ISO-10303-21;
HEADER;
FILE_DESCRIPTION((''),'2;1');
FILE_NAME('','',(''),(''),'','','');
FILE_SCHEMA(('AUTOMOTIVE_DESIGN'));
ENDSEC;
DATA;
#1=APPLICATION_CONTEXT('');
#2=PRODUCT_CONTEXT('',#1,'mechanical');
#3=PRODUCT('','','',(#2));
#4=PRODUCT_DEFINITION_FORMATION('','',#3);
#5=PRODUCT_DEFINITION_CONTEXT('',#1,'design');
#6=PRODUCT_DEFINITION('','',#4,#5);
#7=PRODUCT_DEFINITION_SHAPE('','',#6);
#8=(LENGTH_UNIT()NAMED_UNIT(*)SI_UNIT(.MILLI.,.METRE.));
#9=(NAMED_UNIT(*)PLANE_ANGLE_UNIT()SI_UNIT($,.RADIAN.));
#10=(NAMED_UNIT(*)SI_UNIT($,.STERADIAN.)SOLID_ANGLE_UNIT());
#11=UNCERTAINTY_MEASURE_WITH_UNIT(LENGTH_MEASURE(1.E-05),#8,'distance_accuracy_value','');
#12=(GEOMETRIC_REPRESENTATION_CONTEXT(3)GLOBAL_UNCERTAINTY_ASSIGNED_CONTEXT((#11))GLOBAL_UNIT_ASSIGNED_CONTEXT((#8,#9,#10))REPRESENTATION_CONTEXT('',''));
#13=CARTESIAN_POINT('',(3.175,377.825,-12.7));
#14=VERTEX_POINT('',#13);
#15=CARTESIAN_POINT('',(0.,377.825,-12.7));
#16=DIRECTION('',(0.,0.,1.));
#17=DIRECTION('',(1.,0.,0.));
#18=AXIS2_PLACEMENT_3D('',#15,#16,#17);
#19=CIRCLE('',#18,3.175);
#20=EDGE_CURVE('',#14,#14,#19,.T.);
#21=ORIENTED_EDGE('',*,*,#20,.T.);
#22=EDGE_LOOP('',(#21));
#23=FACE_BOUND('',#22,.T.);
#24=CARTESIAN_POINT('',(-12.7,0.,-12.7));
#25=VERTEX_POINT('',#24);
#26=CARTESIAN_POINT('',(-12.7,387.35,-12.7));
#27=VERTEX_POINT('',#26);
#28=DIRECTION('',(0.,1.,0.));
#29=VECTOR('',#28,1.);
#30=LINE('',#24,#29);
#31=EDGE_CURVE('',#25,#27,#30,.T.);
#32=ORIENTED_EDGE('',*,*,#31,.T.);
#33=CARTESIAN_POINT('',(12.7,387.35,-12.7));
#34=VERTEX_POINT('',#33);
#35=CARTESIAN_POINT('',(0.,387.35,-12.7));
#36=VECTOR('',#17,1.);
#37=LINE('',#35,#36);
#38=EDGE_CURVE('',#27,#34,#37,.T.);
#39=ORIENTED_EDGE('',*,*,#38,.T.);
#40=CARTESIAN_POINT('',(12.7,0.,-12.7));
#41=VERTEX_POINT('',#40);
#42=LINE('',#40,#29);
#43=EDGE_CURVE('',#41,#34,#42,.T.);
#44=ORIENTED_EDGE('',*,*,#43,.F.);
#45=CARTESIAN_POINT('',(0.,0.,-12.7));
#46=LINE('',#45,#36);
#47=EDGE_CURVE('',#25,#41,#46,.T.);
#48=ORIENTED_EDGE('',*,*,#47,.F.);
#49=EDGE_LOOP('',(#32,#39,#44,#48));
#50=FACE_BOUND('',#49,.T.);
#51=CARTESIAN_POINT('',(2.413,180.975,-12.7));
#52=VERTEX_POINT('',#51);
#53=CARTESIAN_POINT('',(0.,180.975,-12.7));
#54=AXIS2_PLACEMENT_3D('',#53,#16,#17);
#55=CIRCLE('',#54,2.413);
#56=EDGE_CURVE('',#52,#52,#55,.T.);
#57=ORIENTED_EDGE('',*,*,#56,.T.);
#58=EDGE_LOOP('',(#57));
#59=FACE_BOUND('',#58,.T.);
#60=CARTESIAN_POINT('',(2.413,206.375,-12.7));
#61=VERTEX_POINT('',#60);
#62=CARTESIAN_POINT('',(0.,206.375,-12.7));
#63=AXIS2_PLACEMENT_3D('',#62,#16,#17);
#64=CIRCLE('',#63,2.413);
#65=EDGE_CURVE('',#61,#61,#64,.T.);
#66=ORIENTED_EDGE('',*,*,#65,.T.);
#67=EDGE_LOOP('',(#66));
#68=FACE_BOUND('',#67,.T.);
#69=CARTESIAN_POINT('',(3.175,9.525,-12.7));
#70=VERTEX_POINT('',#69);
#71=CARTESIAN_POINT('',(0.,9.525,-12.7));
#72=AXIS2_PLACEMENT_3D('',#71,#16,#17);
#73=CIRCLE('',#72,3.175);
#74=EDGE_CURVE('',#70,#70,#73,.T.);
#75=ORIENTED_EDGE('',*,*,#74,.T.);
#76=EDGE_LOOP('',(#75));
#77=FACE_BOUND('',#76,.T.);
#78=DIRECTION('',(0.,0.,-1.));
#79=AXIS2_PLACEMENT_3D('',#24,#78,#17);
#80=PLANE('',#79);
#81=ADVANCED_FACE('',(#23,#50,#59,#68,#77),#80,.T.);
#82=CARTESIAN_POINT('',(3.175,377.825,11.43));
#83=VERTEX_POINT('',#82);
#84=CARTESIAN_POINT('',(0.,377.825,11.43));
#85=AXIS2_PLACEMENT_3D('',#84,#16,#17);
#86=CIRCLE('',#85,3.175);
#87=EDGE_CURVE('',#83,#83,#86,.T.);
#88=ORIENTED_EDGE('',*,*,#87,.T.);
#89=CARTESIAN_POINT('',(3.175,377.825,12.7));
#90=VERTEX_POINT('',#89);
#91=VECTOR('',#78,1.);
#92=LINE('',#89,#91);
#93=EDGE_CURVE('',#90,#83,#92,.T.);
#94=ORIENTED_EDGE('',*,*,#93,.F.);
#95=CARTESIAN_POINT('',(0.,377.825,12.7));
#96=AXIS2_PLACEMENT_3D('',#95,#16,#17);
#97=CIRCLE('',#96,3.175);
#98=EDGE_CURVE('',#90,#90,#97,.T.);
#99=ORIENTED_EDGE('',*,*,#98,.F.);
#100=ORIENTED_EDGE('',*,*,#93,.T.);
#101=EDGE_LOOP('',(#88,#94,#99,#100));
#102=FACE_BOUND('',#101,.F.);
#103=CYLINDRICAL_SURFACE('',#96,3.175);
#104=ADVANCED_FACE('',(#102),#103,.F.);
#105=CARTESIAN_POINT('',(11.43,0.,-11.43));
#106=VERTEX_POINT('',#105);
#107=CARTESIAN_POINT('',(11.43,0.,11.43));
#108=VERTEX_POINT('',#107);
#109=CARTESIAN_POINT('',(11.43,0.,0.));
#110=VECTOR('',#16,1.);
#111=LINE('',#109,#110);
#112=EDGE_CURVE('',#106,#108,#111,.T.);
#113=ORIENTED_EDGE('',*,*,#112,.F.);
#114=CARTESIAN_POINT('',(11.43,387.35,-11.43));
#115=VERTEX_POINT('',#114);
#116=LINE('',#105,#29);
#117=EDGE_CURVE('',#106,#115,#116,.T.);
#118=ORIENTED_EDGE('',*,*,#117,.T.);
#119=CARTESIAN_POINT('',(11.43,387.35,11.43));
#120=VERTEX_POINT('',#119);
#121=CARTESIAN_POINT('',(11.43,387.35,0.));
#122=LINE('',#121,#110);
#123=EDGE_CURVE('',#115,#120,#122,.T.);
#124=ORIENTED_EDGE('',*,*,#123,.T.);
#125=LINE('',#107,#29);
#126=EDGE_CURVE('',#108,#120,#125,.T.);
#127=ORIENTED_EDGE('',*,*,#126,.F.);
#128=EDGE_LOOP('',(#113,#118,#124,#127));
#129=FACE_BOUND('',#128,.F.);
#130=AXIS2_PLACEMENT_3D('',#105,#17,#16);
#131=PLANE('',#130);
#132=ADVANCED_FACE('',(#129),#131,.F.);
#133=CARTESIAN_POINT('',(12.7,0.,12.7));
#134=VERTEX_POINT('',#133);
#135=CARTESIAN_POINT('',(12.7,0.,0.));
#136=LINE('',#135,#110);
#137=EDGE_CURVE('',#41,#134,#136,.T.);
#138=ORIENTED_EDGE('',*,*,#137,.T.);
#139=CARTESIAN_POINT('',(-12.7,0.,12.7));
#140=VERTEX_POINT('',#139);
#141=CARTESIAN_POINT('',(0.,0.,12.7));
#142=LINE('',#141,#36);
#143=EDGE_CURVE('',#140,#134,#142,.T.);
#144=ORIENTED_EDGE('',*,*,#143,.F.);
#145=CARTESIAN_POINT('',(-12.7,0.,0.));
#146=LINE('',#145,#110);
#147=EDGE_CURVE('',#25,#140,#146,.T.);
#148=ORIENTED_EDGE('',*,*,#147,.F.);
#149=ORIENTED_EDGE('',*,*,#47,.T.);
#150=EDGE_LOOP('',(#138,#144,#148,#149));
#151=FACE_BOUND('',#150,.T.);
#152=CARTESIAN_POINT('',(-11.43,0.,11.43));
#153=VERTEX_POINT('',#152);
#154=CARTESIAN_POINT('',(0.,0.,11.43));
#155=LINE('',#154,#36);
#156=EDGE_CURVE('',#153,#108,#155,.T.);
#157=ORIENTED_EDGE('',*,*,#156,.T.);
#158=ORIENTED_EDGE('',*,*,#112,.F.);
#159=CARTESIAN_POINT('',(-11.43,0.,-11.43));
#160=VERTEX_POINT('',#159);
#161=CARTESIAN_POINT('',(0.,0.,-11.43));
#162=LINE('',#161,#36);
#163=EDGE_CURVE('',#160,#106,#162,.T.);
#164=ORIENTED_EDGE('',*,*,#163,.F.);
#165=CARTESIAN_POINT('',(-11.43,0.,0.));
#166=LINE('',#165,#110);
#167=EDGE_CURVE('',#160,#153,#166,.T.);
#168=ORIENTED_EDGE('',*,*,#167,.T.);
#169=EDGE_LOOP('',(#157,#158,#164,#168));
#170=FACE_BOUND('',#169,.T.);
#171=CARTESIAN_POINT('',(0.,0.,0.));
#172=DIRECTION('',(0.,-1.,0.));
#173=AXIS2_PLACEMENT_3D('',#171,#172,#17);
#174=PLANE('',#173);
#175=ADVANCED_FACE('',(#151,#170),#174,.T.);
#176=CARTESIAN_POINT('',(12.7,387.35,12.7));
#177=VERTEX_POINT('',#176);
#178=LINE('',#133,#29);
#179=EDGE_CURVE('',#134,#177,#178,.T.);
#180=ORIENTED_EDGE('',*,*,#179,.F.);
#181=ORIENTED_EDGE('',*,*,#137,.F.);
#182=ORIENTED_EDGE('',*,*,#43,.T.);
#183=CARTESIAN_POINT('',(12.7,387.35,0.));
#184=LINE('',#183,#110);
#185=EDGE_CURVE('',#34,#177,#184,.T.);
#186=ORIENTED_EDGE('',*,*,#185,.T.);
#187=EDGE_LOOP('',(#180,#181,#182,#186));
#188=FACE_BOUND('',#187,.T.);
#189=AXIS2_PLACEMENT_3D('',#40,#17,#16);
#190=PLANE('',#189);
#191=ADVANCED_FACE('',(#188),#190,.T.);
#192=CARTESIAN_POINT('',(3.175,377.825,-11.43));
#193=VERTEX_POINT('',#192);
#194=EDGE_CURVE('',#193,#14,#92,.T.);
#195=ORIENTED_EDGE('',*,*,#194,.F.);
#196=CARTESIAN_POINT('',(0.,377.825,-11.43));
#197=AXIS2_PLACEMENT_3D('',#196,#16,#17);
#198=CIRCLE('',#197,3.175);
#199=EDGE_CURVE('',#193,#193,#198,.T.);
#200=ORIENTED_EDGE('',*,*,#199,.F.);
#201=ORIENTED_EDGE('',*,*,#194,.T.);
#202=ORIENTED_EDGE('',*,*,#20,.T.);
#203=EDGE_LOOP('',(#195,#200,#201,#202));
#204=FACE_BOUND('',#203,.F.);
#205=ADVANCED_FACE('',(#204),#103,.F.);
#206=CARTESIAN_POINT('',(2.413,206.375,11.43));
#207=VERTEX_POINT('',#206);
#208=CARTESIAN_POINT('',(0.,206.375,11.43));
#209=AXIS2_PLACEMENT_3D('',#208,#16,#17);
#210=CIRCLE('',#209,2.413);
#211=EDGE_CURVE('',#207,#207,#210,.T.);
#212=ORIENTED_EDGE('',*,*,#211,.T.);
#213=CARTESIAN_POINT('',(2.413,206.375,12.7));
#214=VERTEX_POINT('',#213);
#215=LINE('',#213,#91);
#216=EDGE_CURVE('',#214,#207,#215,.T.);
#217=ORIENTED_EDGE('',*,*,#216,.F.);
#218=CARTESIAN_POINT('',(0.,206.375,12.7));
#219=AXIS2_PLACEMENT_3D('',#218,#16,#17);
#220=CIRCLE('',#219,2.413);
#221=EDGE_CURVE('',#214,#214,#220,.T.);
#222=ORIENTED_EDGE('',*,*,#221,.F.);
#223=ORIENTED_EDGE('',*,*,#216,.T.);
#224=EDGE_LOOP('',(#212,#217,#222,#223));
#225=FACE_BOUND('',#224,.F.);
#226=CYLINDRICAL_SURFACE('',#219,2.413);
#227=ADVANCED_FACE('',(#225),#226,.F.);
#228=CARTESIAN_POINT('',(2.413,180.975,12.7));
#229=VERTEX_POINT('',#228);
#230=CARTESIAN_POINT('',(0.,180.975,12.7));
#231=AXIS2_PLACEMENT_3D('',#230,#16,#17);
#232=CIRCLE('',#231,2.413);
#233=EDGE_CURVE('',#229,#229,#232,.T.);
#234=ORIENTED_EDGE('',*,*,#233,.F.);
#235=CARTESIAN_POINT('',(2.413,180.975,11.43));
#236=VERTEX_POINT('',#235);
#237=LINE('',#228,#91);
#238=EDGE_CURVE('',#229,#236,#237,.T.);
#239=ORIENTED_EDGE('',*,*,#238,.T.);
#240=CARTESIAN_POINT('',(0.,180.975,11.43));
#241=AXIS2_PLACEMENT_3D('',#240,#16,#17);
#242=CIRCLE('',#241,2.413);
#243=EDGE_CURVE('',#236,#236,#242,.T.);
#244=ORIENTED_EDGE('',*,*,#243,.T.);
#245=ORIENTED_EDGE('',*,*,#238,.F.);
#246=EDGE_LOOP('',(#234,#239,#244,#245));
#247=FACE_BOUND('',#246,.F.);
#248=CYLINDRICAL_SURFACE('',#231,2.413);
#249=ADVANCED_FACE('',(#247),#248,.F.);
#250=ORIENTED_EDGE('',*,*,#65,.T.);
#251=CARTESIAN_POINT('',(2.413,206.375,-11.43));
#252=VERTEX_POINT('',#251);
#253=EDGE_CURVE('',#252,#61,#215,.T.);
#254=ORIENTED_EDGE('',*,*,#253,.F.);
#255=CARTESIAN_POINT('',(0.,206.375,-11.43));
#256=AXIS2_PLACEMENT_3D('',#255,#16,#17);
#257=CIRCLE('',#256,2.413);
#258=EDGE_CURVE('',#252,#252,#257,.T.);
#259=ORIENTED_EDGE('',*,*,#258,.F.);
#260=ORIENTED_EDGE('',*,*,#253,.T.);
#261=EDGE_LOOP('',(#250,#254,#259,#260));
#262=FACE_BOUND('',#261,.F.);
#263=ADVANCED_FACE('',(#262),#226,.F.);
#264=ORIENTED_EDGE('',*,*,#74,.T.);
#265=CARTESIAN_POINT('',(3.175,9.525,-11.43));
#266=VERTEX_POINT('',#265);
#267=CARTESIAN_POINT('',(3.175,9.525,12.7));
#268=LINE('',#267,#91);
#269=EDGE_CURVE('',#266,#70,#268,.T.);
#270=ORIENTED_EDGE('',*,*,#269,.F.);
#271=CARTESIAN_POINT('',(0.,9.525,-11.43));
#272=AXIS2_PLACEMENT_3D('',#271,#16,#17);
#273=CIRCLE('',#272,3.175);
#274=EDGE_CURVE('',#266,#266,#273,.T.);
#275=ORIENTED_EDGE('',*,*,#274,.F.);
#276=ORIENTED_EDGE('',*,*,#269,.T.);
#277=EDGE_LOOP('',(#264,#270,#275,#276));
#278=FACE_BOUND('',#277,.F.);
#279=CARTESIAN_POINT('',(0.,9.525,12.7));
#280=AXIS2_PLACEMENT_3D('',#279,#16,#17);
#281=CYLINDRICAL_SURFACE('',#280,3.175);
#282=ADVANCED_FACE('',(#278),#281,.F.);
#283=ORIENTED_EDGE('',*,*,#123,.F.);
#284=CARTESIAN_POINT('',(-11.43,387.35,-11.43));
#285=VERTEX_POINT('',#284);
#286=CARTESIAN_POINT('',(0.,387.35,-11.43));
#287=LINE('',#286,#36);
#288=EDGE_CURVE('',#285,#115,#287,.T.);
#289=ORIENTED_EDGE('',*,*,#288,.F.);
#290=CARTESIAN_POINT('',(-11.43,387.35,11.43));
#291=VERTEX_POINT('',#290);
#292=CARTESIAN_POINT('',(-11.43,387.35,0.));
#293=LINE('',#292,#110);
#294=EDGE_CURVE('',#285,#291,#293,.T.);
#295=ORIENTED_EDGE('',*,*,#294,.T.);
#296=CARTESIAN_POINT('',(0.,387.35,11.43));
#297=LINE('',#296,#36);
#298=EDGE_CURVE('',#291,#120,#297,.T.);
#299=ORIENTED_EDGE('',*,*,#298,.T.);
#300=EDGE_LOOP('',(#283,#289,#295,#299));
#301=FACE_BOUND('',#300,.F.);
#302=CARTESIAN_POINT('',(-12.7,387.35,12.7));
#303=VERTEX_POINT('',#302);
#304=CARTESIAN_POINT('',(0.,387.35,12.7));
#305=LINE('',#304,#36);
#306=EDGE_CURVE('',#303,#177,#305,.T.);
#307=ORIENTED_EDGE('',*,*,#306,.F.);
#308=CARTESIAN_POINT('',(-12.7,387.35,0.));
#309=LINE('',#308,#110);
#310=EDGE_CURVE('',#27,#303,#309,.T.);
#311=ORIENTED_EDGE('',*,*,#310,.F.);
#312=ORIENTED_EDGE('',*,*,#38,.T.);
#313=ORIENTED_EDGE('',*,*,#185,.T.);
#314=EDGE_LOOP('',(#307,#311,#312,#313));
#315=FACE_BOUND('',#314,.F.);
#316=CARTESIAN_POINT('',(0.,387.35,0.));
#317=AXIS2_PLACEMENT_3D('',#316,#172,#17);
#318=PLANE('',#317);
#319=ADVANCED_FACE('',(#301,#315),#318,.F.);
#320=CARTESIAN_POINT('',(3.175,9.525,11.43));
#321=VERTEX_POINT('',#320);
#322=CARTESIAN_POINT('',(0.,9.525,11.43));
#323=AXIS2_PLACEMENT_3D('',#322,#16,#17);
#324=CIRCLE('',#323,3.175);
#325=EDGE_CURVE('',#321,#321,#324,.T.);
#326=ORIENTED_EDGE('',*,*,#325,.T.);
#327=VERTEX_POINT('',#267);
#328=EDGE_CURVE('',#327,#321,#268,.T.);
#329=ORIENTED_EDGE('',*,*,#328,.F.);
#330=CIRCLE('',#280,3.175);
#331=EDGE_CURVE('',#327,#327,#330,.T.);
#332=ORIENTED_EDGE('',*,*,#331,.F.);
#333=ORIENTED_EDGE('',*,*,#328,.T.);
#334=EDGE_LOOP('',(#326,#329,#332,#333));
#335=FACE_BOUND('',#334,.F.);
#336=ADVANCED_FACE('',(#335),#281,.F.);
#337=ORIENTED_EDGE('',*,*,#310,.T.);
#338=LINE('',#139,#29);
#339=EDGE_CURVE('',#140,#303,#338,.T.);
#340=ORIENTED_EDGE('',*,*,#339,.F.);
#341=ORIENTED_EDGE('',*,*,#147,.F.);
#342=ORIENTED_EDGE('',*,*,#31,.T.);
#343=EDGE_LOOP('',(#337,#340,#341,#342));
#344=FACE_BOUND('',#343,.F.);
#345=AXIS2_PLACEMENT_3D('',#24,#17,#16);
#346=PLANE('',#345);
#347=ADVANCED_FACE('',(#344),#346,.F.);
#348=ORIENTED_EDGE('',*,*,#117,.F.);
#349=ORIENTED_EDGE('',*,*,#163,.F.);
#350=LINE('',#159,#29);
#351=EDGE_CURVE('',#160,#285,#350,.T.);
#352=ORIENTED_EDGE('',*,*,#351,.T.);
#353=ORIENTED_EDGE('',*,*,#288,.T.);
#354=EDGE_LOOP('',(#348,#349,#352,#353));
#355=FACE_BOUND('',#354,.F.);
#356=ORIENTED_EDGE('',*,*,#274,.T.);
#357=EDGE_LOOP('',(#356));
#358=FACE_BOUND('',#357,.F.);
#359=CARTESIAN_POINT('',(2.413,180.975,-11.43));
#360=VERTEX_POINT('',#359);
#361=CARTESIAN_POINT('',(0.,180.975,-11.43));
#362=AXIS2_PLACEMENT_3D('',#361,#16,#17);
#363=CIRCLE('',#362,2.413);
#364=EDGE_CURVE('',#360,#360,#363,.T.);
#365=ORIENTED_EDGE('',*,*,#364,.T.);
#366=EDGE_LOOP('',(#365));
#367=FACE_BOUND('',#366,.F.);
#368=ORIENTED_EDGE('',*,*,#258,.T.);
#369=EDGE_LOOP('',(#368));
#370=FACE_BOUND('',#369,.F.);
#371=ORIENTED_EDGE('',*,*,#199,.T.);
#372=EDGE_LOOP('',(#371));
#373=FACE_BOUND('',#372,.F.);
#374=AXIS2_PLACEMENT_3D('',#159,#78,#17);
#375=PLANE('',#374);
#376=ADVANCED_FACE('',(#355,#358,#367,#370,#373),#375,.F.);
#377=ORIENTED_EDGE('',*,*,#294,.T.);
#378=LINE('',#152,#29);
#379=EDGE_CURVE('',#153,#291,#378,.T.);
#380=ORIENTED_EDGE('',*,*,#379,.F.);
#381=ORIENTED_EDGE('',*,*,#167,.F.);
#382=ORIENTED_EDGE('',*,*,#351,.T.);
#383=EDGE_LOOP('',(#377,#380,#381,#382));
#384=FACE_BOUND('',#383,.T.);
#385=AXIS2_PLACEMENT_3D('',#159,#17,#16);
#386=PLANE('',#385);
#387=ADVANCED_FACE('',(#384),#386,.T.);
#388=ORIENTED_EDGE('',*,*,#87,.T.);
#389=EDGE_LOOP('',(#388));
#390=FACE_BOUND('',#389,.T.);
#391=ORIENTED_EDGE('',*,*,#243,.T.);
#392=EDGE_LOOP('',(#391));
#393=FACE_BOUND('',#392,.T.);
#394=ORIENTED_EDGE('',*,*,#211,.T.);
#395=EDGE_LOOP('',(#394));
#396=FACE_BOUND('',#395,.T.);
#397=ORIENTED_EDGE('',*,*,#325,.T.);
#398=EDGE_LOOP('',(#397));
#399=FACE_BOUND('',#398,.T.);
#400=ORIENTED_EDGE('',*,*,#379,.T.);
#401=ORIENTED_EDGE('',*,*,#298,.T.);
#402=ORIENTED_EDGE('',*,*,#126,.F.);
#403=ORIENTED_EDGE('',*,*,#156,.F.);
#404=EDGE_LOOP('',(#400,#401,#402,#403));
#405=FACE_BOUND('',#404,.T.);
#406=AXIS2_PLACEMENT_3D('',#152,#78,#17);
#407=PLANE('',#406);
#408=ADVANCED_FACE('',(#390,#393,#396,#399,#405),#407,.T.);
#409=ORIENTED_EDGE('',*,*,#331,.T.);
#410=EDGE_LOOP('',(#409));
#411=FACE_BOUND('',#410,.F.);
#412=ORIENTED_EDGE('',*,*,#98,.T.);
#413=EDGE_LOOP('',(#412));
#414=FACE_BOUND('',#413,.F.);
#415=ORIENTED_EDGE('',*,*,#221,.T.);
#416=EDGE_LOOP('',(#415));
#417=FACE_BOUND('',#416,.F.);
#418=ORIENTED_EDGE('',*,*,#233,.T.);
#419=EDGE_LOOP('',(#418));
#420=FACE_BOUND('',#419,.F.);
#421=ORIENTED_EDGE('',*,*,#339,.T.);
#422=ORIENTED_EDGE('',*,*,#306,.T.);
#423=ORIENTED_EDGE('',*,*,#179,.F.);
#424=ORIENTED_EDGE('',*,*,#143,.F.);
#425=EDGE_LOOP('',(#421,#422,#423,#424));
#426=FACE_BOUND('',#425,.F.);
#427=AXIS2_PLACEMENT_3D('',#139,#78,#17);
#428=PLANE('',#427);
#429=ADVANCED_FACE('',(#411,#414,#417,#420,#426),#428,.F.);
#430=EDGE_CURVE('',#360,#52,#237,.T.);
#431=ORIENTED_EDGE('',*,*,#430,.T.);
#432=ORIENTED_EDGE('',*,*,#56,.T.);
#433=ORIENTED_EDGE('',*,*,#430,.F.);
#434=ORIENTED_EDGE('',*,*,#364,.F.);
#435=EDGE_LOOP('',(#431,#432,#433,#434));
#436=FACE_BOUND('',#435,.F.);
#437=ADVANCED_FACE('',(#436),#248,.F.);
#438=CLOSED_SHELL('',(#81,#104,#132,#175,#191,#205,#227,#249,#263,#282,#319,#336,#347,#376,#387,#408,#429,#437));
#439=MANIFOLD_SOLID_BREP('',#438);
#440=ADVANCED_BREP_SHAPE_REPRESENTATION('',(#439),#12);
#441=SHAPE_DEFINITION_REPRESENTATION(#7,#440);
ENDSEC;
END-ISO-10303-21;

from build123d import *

# Parameters (mm, degrees)
F0_W     = 25.4
F0_H     = 25.4
F0_W_2   = 22.86
F0_H_2   = 22.86
F1_DEPTH = 387.35
F2_R     = 3.175
F2_R_2   = 2.413
F3_DEPTH = 25.401


with BuildPart() as f1:
    # F0 (on Front) → F1 (new body)
    with BuildSketch(Plane.XZ):
        Rectangle(F0_W, F0_H)
        Rectangle(F0_W_2, F0_H_2, mode=Mode.SUBTRACT)
    extrude(amount=-F1_DEPTH)

    # F2 (on face) → F3 (cut, through all)
    with BuildSketch(Plane.XY.offset(12.7)):
        with Locations((0, 9.525)):
            Circle(F2_R)
        with Locations((0, 377.825)):
            Circle(F2_R)
        with Locations((0, 180.975)):
            Circle(F2_R_2)
        with Locations((0, 206.375)):
            Circle(F2_R_2)
    extrude(amount=-F3_DEPTH, mode=Mode.SUBTRACT)


solid = f1.part
